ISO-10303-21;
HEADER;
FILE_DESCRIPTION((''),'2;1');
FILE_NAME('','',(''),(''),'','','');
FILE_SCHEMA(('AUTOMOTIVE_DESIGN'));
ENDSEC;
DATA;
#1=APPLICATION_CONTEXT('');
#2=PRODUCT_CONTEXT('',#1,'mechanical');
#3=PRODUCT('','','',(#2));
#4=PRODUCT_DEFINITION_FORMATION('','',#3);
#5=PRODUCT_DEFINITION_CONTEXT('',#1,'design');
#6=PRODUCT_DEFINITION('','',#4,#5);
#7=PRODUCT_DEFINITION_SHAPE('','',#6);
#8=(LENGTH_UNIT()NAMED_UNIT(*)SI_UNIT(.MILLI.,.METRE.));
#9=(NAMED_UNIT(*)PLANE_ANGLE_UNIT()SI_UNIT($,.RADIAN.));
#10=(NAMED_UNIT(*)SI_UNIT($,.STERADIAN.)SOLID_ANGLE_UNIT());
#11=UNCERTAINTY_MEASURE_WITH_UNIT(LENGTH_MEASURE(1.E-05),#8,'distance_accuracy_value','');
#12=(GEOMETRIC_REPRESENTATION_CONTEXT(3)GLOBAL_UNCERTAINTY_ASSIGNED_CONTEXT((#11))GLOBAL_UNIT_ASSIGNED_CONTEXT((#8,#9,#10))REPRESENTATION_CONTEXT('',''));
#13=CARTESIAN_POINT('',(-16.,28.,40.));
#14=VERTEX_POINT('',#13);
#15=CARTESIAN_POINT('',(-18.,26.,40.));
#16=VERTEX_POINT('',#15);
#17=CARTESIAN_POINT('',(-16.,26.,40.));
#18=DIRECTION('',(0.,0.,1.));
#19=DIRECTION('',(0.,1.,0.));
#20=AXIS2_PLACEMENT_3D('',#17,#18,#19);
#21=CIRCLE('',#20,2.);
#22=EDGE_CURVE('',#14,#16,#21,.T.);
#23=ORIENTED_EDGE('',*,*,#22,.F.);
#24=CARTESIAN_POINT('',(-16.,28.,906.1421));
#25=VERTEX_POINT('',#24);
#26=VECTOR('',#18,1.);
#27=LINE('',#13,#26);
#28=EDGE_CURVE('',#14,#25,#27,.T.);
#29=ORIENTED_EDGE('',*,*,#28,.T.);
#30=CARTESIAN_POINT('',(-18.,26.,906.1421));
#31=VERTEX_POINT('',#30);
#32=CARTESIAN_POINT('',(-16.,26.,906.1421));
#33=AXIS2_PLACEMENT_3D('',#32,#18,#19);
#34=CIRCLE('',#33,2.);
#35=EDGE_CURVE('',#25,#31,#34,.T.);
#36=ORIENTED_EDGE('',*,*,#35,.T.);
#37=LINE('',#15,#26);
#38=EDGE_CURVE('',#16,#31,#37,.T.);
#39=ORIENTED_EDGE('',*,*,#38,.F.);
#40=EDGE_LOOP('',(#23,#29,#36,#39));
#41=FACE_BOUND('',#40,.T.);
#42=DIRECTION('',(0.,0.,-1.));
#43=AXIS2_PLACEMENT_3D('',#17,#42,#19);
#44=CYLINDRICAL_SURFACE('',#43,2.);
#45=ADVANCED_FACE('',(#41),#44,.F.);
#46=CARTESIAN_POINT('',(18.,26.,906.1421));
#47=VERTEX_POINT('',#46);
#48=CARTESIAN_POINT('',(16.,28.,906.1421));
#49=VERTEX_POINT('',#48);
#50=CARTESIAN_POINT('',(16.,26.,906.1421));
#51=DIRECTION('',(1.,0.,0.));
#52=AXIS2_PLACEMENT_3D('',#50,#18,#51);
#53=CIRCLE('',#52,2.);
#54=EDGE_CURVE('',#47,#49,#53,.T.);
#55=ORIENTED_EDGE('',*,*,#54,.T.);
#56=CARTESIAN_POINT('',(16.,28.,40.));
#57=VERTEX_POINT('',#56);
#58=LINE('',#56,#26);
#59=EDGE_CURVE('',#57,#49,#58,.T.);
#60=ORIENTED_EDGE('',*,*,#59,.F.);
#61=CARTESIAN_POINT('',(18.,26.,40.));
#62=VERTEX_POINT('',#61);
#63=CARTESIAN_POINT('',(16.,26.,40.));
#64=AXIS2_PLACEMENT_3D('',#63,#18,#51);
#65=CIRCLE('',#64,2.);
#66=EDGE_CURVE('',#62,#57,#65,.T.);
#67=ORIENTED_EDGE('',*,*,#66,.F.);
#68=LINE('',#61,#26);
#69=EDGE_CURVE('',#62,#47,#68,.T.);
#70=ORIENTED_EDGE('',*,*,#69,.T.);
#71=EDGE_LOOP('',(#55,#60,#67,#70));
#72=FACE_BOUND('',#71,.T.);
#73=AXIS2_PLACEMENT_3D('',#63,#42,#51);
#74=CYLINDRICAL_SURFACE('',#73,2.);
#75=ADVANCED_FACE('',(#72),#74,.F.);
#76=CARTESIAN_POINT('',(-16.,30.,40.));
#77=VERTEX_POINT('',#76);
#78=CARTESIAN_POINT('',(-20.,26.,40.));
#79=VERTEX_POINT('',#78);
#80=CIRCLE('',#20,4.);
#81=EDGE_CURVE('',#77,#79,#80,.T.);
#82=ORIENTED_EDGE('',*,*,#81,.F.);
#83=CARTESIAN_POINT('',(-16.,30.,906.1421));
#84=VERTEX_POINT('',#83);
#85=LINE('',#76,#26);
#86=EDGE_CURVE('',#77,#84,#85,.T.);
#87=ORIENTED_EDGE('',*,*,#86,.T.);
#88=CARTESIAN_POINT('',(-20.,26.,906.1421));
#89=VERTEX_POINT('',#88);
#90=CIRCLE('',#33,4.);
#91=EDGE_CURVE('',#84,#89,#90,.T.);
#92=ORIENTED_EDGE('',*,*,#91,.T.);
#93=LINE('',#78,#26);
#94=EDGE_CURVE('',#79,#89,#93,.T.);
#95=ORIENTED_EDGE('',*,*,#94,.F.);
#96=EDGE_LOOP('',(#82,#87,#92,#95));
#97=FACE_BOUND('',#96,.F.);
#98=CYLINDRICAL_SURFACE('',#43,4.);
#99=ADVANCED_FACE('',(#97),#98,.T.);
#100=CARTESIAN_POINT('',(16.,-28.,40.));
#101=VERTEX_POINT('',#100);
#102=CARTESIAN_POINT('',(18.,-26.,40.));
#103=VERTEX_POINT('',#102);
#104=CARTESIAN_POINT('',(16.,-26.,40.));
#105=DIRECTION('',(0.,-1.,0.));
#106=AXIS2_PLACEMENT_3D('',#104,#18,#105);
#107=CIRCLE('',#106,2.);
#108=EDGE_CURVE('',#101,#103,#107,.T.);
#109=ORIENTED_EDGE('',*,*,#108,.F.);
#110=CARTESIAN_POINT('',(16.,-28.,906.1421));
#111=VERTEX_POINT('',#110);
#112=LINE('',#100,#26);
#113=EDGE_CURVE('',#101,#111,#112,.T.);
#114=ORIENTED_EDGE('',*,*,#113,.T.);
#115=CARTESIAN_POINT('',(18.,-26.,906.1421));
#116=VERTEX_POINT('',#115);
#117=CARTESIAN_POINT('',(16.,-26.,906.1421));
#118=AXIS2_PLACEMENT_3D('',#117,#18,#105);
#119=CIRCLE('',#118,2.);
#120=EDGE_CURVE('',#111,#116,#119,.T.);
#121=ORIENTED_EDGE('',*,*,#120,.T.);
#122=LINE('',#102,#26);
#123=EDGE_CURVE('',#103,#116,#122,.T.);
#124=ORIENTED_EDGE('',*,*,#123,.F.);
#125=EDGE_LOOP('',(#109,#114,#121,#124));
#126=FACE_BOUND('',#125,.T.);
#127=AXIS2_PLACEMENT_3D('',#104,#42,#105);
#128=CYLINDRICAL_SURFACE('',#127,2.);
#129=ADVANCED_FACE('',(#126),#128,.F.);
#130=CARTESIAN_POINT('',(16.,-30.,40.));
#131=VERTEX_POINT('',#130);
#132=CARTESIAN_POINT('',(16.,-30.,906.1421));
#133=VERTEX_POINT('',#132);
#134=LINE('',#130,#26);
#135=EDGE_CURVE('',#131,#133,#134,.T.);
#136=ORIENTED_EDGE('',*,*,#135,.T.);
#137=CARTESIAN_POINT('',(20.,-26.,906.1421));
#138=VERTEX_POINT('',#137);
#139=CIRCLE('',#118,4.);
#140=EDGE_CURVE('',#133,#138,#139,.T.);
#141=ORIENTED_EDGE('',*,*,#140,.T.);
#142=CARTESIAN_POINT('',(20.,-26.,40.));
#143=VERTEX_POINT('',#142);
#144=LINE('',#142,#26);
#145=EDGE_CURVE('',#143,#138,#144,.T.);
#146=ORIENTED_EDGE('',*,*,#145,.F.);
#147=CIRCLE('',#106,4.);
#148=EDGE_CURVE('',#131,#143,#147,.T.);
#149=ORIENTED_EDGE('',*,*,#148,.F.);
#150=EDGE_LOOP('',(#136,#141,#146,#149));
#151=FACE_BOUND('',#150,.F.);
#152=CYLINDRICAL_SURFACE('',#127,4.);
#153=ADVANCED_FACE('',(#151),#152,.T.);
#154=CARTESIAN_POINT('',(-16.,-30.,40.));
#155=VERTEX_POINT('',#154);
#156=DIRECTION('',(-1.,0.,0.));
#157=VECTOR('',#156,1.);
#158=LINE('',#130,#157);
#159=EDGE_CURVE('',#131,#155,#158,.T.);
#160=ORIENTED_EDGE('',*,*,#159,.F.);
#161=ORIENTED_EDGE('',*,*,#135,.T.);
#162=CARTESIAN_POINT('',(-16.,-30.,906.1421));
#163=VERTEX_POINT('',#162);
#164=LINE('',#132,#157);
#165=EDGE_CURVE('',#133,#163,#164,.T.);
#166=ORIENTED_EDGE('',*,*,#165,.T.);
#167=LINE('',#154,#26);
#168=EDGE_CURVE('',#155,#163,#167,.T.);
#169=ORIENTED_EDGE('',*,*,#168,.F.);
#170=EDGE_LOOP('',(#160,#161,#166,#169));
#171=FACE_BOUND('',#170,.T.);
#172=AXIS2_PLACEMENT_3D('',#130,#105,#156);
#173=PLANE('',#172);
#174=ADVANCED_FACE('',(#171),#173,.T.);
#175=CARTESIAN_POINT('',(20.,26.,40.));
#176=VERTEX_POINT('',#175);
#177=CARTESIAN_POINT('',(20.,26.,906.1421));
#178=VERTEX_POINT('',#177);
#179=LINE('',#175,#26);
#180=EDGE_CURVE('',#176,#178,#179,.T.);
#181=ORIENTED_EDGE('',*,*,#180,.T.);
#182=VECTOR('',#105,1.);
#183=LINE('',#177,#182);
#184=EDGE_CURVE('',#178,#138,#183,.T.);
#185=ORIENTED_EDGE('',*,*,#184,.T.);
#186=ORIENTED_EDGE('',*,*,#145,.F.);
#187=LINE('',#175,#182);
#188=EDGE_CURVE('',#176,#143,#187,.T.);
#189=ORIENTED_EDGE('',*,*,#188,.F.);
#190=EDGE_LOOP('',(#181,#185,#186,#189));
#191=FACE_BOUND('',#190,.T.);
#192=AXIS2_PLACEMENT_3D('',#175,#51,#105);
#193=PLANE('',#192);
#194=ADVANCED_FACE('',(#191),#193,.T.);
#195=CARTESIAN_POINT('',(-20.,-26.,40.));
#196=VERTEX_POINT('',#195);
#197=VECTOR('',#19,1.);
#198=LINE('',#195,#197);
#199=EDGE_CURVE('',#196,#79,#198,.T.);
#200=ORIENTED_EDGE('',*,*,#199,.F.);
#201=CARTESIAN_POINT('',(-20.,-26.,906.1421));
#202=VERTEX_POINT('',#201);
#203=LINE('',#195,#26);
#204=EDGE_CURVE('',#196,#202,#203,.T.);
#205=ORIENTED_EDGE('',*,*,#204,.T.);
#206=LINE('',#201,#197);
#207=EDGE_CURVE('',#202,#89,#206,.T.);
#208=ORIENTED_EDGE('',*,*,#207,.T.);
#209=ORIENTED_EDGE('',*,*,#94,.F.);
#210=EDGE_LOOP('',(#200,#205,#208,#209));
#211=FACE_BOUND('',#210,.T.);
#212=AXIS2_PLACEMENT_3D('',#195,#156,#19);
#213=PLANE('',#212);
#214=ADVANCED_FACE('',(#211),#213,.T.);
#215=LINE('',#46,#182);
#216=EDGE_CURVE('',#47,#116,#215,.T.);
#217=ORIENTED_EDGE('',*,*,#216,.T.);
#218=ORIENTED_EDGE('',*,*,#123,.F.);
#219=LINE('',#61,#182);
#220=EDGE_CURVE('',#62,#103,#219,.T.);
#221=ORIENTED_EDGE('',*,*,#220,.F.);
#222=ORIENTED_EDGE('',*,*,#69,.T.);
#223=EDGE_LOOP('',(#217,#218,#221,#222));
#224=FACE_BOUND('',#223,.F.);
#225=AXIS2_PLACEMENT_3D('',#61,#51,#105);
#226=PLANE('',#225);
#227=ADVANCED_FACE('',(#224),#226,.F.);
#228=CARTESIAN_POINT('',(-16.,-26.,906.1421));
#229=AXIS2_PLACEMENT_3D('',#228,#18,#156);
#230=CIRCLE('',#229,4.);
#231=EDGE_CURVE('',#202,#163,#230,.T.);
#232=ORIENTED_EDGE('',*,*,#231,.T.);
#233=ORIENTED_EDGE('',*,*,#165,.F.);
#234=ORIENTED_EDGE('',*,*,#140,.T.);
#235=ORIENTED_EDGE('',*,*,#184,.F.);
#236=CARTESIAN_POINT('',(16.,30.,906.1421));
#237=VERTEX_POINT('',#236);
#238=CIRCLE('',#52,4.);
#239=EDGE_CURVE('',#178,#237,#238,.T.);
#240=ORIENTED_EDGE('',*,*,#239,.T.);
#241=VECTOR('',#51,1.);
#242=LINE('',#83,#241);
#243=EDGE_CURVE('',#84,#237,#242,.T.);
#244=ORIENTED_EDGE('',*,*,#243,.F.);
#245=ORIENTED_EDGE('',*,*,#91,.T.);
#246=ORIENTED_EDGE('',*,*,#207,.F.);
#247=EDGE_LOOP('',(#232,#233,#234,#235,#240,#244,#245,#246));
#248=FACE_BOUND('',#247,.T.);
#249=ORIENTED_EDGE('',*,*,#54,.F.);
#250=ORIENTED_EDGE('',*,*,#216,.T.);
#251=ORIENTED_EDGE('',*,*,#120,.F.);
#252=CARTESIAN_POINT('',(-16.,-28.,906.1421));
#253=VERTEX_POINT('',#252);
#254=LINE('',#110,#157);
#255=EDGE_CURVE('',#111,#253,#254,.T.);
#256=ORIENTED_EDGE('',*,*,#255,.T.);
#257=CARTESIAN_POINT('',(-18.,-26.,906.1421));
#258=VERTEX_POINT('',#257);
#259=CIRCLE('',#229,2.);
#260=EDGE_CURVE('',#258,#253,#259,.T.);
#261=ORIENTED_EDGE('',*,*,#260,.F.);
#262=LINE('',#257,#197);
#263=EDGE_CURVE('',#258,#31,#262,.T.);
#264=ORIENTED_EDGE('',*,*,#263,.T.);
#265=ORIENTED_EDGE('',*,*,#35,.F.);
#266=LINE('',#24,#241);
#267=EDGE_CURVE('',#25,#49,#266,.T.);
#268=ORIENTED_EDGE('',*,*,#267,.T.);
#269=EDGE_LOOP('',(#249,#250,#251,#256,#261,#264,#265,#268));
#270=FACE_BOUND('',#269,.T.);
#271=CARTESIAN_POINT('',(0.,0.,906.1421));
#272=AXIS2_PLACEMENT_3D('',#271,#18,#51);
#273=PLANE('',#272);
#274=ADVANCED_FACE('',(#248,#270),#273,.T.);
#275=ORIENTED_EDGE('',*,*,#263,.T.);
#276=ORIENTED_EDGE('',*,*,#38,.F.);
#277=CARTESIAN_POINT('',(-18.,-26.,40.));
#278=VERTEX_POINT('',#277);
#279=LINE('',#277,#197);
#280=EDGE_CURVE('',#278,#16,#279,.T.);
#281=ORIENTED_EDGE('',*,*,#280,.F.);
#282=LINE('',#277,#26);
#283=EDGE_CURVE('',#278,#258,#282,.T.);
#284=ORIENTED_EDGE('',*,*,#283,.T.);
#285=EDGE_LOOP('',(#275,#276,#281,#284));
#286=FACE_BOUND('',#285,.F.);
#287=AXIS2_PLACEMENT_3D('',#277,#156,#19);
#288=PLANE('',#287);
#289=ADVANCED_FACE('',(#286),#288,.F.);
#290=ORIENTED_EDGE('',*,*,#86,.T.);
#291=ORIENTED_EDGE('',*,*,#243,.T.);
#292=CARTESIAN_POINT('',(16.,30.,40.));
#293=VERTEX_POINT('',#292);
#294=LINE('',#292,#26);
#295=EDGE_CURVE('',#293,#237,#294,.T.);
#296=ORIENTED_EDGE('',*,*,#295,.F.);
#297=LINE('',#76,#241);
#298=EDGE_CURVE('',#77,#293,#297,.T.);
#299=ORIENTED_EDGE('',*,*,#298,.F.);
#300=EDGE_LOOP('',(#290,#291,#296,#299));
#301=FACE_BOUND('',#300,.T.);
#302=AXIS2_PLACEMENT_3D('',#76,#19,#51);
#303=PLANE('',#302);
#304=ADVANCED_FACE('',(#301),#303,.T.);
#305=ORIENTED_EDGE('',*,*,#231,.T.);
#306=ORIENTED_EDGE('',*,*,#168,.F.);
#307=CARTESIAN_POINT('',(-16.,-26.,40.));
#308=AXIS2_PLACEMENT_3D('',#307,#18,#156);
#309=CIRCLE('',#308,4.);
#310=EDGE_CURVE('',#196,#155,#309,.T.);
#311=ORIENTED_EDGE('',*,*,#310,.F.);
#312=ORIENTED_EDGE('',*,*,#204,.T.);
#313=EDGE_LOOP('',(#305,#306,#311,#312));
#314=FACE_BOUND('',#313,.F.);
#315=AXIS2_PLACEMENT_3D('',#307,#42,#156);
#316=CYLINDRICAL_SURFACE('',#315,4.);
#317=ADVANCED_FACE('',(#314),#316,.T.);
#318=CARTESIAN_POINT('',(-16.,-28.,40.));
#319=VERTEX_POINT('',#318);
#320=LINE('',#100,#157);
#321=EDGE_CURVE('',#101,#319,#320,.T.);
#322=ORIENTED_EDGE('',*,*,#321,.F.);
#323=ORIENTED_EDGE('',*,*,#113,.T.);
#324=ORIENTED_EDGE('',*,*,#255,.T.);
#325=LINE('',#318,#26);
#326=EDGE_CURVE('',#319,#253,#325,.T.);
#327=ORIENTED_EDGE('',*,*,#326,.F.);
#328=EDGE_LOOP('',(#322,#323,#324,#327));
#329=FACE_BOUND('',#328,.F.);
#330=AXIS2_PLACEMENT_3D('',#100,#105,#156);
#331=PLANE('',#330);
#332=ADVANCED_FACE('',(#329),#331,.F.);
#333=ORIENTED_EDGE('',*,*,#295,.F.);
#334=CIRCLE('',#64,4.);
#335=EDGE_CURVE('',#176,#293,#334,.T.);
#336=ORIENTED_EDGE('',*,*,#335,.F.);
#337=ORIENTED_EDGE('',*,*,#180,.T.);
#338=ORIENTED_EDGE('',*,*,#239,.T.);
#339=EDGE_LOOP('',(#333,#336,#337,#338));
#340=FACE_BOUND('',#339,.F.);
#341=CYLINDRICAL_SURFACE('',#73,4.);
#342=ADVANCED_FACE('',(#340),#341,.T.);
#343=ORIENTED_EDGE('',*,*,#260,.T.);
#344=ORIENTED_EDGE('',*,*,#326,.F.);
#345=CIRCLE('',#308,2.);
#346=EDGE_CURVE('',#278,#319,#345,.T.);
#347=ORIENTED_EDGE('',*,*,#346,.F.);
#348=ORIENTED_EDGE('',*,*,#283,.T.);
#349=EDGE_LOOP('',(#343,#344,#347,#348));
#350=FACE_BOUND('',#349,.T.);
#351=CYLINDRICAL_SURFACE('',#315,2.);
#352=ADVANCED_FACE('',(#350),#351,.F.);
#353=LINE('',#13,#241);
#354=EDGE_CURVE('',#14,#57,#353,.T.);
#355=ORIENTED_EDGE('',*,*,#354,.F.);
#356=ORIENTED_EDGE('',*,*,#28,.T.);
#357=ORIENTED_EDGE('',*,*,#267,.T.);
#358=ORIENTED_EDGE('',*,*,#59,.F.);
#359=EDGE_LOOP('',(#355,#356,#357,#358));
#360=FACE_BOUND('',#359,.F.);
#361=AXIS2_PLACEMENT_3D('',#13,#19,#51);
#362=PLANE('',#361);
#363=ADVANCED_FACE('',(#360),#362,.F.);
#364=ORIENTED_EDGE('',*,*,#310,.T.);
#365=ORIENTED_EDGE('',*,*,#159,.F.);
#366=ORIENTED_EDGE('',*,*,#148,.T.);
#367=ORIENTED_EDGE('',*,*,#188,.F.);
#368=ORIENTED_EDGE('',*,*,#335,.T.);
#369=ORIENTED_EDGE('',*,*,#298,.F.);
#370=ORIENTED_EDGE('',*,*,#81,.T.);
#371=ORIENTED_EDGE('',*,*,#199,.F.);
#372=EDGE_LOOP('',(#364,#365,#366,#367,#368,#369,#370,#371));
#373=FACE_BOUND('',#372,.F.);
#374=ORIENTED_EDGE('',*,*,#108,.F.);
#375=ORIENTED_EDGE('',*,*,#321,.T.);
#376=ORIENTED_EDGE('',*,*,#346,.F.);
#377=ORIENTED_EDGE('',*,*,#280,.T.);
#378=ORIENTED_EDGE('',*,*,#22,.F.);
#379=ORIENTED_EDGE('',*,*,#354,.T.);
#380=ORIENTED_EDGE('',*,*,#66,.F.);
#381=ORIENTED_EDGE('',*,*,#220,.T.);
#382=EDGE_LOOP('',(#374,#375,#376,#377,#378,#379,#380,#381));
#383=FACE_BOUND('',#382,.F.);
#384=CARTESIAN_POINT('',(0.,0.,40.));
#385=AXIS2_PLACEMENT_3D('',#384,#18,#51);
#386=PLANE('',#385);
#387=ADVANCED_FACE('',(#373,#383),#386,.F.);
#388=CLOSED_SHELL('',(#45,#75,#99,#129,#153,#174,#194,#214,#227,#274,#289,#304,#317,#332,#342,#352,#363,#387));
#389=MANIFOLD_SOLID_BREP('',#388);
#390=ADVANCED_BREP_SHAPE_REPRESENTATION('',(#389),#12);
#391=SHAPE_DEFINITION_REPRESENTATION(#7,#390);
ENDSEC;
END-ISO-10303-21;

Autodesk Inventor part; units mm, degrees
ref_plane "YZ Plane" through (0, 0, 0) normal (1, 0, 0) x (0, 1, 0)
ref_plane "Start Plane" through (0, 0, 40) normal (0, 0, 1) x (1, 0, 0)
ref_plane "End Plane" through (0, 0, 906.1421) normal (0, 0, 1) x (1, 0, 0)
sketch "Sketch" plane through (0, 0, 0) normal (0, 0, 1) x (1, 0, 0)
  line L0 (-20, -26) -> (-20, 26)
  line L1 (-16, 30) -> (16, 30)
  line L2 (20, 26) -> (20, -26)
  line L3 (16, -30) -> (-16, -30)
  arc A0 (-20, -26) -> (-16, -30) centre (-16, -26) ccw
  arc A1 (20, 26) -> (16, 30) centre (16, 26) ccw
  arc A2 (-16, 30) -> (-20, 26) centre (-16, 26) ccw
  arc A3 (16, -30) -> (20, -26) centre (16, -26) ccw
  arc A4 (-16, 28) -> (-18, 26) centre (-16, 26) ccw
  line L4 (-16, 28) -> (16, 28)
  arc A5 (18, 26) -> (16, 28) centre (16, 26) ccw
  line L5 (18, 26) -> (18, -26)
  arc A6 (16, -28) -> (18, -26) centre (16, -26) ccw
  line L6 (16, -28) -> (-16, -28)
  arc A7 (-18, -26) -> (-16, -28) centre (-16, -26) ccw
  line L7 (-18, -26) -> (-18, 26)
  line L8 (0, 43.1598) -> (0, -43.1598) construction
  line L9 (-29.1598, 0) -> (29.1598, 0) construction
  dimension "d7" = 4
  dimension "d9" = 40
  dimension "d11" = 60
  dimension "d12" = 2
  dimension "d15" = 20
  dimension "d16" = 30
extrude "Body" add sketch "Sketch" along normal up to surface (866.1421 mm away) from surface at 40
sketch "Sketch3" plane through (0, 0, 0) normal (0, 0, 1) x (1, 0, 0)
  line L0 (0, 0) -> (10, 0)
ref_plane "Work Plane3" through (0, 0, 0) normal (0, -1, 0) x (1, 0, 0)
sketch "Sketch4" plane through (0, 0, 0) normal (0, -1, 0) x (1, 0, 0)
  line L0 (-2, 40) -> (12, 40) projected
  line L1 (-2, 906.1421) -> (12, 906.1421) projected
  dimension "d18" = 866.1421
equation "\"d7\" = G_IR"
equation "\"d9\" = G_W"
equation "\"d11\" = G_H"
equation "\"d12\" = G_T"
equation "\"d15\" = 0.5 * d9"
equation "\"d16\" = 0.5 * d11"
equation "\"d3\" = G_L"
equation "\"G_W\" = 40"
equation "\"G_H\" = 60"
equation "\"G_T\" = 2"
equation "\"G_IR\" = 4"
equation "\"G_L\" = d18"
equation "\"d14\" = G_OFFSET_END + B_L"
equation "\"B_L\" = 926.14205"
equation "\"G_OFFSET_END\" = -20"
properties part number "ISO 10799-2 - 60x40x2 - 866,14" material "Steel, Mild"
